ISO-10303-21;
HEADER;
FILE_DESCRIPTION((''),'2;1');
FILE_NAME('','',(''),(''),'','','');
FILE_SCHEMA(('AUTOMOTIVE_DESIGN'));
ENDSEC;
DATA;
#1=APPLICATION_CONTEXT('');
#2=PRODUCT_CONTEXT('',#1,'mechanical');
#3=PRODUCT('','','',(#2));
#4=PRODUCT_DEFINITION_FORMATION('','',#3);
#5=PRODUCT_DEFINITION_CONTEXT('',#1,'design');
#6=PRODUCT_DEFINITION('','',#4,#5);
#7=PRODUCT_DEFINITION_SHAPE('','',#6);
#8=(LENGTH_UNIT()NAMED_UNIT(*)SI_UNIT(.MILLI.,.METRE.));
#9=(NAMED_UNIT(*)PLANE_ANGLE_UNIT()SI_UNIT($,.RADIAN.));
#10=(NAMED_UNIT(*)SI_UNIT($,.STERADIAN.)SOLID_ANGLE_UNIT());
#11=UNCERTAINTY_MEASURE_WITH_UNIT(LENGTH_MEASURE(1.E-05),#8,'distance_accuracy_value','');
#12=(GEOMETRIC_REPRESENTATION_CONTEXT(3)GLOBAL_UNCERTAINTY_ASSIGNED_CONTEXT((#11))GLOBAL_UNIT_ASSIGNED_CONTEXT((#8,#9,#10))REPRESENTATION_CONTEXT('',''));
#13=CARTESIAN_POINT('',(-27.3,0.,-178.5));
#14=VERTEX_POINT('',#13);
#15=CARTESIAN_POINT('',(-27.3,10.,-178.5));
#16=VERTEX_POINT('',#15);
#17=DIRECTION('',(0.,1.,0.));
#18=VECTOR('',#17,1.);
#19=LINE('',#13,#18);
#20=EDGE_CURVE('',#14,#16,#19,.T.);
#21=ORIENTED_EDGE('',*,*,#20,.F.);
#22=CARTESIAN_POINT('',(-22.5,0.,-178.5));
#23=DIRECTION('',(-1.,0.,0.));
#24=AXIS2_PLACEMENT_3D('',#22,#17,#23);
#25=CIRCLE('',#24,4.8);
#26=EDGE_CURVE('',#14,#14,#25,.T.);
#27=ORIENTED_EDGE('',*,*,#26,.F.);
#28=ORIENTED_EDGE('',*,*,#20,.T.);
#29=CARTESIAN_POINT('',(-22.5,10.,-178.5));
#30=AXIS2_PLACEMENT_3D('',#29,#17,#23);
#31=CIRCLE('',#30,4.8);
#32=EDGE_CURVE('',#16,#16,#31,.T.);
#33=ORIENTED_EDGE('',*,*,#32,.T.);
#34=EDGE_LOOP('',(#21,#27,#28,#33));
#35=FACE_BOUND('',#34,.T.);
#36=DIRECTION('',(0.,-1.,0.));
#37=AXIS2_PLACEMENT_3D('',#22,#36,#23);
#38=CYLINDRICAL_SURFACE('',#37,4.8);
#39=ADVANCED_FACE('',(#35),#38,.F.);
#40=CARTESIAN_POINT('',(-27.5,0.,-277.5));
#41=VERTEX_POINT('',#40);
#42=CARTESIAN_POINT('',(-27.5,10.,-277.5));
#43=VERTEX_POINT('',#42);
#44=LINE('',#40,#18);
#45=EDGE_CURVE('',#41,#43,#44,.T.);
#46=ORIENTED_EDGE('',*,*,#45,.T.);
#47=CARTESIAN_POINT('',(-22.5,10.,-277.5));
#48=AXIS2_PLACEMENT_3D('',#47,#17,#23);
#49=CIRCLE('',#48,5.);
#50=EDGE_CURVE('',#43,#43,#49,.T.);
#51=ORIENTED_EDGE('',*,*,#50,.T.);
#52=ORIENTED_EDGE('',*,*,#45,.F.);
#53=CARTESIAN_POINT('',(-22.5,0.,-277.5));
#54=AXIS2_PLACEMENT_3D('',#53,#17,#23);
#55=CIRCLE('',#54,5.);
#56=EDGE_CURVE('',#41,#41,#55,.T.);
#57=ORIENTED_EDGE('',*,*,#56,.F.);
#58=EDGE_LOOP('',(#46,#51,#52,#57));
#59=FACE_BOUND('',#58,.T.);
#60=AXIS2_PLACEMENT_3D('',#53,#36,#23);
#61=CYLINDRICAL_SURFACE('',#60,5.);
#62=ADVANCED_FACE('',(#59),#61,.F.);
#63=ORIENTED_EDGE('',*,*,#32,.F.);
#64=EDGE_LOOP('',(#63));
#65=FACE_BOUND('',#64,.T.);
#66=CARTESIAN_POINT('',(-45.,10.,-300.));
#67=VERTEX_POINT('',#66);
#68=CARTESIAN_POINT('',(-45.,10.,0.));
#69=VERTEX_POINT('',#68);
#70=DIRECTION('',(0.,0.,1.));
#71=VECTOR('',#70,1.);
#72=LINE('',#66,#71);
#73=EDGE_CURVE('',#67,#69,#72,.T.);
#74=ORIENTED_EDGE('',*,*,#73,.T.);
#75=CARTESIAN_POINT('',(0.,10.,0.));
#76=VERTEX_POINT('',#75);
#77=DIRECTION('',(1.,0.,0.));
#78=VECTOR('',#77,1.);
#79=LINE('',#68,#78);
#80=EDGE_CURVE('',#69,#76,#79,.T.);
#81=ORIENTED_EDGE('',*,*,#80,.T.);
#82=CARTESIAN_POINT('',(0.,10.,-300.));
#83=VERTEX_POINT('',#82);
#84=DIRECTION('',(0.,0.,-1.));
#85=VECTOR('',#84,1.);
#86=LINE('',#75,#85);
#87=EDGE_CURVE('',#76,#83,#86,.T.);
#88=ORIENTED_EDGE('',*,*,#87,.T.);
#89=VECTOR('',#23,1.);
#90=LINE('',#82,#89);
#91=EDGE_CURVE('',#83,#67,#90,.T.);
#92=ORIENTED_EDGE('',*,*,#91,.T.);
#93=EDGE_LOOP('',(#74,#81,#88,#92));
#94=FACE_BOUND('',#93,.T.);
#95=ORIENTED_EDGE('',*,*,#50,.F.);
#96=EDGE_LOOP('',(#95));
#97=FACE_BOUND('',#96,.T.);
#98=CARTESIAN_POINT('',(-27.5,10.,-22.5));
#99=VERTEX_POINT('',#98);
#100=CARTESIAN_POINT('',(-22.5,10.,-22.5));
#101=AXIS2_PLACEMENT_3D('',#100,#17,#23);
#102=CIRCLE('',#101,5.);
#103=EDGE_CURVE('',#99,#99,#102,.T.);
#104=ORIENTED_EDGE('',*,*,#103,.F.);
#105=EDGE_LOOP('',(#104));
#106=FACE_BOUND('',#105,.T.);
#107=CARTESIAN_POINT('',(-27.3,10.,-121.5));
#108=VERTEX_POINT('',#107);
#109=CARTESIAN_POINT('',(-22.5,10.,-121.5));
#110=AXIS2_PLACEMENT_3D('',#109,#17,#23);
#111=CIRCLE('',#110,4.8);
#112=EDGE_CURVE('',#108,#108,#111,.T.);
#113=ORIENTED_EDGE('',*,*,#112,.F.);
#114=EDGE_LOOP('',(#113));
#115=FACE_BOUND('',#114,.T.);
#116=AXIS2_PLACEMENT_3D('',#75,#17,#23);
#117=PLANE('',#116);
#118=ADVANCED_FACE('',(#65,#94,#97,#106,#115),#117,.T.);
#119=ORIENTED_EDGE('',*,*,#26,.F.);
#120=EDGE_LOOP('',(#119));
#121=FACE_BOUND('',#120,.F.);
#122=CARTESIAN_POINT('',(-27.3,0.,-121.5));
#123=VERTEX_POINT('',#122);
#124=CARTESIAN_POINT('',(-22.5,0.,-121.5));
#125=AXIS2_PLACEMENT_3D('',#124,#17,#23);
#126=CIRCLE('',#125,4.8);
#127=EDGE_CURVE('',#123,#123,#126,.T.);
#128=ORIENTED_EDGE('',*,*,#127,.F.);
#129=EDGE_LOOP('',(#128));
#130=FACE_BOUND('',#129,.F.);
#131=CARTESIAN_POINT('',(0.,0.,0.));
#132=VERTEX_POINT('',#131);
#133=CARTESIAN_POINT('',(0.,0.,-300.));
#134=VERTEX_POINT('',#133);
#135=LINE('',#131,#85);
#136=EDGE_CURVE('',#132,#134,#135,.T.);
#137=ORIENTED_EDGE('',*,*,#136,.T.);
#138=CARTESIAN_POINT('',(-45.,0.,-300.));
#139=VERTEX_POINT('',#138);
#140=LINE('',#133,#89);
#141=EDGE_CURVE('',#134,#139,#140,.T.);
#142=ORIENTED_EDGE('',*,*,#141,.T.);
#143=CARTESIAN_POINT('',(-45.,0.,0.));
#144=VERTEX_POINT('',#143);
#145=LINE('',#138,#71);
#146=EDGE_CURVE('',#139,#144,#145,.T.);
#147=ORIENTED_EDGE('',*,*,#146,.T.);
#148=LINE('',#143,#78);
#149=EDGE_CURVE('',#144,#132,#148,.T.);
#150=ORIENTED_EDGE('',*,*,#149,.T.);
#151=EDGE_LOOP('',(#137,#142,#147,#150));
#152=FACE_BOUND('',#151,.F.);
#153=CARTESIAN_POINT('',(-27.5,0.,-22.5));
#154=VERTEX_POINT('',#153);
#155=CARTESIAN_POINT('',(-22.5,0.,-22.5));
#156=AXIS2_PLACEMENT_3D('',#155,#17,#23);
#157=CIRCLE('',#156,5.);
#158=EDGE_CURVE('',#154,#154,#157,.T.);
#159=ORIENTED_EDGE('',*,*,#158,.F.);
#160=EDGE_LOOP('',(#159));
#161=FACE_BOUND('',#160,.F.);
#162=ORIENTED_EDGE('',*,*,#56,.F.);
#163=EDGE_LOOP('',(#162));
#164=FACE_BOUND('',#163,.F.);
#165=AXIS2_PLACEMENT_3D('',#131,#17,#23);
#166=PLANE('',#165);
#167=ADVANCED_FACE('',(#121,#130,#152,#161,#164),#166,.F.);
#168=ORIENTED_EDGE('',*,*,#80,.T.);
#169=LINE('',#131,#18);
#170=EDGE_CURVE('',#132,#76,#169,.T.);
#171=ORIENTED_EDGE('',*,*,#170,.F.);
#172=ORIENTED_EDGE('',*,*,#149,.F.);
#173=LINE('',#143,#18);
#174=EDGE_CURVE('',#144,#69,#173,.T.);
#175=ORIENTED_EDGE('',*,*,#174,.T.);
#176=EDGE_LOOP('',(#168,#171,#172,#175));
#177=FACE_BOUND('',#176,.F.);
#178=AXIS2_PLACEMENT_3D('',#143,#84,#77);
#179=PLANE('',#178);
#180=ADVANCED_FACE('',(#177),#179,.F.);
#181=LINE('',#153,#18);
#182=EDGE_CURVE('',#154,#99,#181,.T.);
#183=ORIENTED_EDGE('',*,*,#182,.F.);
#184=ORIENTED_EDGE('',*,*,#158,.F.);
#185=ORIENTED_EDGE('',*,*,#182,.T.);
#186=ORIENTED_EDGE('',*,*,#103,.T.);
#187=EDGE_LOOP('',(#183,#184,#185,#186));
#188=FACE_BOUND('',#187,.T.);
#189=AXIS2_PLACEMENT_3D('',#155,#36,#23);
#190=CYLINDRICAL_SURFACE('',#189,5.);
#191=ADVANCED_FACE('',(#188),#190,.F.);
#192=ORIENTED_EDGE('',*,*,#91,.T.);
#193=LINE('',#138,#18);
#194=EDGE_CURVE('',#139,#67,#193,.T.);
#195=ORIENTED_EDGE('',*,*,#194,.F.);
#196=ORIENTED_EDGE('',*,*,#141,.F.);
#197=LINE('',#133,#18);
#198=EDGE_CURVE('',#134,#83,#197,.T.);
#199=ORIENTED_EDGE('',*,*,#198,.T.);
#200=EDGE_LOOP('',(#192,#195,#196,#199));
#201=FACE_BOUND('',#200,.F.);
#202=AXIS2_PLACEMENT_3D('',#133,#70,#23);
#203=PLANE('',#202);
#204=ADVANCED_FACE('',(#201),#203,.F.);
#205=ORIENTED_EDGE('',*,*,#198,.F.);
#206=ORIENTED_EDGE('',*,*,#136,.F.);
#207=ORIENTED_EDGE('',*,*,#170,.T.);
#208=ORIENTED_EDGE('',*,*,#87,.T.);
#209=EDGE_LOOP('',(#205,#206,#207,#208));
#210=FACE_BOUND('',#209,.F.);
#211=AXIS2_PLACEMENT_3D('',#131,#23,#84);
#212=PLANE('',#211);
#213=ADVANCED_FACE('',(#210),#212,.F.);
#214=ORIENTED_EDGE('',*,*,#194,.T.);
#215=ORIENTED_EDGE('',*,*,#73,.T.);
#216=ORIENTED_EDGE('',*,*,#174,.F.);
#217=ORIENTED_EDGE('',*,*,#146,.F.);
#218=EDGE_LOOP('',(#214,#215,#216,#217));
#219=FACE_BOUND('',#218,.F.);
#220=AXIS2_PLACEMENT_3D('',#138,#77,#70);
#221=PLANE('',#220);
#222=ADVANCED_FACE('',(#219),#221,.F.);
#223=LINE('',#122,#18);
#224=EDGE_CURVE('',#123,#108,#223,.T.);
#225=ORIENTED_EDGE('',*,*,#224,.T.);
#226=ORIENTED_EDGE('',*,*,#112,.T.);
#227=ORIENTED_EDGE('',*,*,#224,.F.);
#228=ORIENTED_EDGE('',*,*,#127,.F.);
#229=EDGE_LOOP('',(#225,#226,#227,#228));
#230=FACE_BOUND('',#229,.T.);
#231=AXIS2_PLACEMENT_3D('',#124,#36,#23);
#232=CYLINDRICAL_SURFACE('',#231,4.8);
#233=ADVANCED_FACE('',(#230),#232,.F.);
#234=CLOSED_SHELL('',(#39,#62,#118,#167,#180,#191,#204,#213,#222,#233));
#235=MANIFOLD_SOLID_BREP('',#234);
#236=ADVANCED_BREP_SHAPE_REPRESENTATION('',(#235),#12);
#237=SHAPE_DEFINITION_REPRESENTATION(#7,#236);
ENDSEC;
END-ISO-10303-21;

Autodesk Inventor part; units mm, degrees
ref_plane "YZ Plane" through (0, 0, 0) normal (1, 0, 0) x (0, 1, 0)
ref_plane "XZ Plane" through (0, 0, 0) normal (0, 1, 0) x (-1, 0, 0)
ref_plane "XY Plane" through (0, 0, 0) normal (0, 0, 1) x (1, 0, 0)
sketch "Sketch1" plane through (0, 0, 0) normal (0, 1, 0) x (-1, 0, 0)
  line L0 (45, 0) -> (0, 0)
  line L1 (0, 0) -> (0, -300)
  line L2 (0, -300) -> (45, -300)
  line L3 (45, -300) -> (45, 0)
  circle A0 centre (22.5, -22.5) radius 5
  circle A1 centre (22.5, -277.5) radius 5
  line L4 (79.2183, -150) -> (-46.459, -150) construction
  circle A2 centre (22.5, -121.5) radius 4.8
  circle A3 centre (22.5, -178.5) radius 4.8
  dimension "d0" = 300
  dimension "d1" = 45
  dimension "d2" = 10
  dimension "d3" = 10
  dimension "d4" = 22.5
  dimension "d5" = 22.5
  dimension "d6" = 22.5
  dimension "d7" = 22.5
  dimension "d8" = 150
  dimension "d9" = 9.6
  dimension "d10" = 28.5
  dimension "d11" = 22.5
  dimension "d12" = 22.5
  dimension "d13" = 28.5
extrude "Extrusion1" add sketch "Sketch1" along normal blind 10
properties part number "1211_Distal Roller Plate_V1" material "Wood (Birch)"
